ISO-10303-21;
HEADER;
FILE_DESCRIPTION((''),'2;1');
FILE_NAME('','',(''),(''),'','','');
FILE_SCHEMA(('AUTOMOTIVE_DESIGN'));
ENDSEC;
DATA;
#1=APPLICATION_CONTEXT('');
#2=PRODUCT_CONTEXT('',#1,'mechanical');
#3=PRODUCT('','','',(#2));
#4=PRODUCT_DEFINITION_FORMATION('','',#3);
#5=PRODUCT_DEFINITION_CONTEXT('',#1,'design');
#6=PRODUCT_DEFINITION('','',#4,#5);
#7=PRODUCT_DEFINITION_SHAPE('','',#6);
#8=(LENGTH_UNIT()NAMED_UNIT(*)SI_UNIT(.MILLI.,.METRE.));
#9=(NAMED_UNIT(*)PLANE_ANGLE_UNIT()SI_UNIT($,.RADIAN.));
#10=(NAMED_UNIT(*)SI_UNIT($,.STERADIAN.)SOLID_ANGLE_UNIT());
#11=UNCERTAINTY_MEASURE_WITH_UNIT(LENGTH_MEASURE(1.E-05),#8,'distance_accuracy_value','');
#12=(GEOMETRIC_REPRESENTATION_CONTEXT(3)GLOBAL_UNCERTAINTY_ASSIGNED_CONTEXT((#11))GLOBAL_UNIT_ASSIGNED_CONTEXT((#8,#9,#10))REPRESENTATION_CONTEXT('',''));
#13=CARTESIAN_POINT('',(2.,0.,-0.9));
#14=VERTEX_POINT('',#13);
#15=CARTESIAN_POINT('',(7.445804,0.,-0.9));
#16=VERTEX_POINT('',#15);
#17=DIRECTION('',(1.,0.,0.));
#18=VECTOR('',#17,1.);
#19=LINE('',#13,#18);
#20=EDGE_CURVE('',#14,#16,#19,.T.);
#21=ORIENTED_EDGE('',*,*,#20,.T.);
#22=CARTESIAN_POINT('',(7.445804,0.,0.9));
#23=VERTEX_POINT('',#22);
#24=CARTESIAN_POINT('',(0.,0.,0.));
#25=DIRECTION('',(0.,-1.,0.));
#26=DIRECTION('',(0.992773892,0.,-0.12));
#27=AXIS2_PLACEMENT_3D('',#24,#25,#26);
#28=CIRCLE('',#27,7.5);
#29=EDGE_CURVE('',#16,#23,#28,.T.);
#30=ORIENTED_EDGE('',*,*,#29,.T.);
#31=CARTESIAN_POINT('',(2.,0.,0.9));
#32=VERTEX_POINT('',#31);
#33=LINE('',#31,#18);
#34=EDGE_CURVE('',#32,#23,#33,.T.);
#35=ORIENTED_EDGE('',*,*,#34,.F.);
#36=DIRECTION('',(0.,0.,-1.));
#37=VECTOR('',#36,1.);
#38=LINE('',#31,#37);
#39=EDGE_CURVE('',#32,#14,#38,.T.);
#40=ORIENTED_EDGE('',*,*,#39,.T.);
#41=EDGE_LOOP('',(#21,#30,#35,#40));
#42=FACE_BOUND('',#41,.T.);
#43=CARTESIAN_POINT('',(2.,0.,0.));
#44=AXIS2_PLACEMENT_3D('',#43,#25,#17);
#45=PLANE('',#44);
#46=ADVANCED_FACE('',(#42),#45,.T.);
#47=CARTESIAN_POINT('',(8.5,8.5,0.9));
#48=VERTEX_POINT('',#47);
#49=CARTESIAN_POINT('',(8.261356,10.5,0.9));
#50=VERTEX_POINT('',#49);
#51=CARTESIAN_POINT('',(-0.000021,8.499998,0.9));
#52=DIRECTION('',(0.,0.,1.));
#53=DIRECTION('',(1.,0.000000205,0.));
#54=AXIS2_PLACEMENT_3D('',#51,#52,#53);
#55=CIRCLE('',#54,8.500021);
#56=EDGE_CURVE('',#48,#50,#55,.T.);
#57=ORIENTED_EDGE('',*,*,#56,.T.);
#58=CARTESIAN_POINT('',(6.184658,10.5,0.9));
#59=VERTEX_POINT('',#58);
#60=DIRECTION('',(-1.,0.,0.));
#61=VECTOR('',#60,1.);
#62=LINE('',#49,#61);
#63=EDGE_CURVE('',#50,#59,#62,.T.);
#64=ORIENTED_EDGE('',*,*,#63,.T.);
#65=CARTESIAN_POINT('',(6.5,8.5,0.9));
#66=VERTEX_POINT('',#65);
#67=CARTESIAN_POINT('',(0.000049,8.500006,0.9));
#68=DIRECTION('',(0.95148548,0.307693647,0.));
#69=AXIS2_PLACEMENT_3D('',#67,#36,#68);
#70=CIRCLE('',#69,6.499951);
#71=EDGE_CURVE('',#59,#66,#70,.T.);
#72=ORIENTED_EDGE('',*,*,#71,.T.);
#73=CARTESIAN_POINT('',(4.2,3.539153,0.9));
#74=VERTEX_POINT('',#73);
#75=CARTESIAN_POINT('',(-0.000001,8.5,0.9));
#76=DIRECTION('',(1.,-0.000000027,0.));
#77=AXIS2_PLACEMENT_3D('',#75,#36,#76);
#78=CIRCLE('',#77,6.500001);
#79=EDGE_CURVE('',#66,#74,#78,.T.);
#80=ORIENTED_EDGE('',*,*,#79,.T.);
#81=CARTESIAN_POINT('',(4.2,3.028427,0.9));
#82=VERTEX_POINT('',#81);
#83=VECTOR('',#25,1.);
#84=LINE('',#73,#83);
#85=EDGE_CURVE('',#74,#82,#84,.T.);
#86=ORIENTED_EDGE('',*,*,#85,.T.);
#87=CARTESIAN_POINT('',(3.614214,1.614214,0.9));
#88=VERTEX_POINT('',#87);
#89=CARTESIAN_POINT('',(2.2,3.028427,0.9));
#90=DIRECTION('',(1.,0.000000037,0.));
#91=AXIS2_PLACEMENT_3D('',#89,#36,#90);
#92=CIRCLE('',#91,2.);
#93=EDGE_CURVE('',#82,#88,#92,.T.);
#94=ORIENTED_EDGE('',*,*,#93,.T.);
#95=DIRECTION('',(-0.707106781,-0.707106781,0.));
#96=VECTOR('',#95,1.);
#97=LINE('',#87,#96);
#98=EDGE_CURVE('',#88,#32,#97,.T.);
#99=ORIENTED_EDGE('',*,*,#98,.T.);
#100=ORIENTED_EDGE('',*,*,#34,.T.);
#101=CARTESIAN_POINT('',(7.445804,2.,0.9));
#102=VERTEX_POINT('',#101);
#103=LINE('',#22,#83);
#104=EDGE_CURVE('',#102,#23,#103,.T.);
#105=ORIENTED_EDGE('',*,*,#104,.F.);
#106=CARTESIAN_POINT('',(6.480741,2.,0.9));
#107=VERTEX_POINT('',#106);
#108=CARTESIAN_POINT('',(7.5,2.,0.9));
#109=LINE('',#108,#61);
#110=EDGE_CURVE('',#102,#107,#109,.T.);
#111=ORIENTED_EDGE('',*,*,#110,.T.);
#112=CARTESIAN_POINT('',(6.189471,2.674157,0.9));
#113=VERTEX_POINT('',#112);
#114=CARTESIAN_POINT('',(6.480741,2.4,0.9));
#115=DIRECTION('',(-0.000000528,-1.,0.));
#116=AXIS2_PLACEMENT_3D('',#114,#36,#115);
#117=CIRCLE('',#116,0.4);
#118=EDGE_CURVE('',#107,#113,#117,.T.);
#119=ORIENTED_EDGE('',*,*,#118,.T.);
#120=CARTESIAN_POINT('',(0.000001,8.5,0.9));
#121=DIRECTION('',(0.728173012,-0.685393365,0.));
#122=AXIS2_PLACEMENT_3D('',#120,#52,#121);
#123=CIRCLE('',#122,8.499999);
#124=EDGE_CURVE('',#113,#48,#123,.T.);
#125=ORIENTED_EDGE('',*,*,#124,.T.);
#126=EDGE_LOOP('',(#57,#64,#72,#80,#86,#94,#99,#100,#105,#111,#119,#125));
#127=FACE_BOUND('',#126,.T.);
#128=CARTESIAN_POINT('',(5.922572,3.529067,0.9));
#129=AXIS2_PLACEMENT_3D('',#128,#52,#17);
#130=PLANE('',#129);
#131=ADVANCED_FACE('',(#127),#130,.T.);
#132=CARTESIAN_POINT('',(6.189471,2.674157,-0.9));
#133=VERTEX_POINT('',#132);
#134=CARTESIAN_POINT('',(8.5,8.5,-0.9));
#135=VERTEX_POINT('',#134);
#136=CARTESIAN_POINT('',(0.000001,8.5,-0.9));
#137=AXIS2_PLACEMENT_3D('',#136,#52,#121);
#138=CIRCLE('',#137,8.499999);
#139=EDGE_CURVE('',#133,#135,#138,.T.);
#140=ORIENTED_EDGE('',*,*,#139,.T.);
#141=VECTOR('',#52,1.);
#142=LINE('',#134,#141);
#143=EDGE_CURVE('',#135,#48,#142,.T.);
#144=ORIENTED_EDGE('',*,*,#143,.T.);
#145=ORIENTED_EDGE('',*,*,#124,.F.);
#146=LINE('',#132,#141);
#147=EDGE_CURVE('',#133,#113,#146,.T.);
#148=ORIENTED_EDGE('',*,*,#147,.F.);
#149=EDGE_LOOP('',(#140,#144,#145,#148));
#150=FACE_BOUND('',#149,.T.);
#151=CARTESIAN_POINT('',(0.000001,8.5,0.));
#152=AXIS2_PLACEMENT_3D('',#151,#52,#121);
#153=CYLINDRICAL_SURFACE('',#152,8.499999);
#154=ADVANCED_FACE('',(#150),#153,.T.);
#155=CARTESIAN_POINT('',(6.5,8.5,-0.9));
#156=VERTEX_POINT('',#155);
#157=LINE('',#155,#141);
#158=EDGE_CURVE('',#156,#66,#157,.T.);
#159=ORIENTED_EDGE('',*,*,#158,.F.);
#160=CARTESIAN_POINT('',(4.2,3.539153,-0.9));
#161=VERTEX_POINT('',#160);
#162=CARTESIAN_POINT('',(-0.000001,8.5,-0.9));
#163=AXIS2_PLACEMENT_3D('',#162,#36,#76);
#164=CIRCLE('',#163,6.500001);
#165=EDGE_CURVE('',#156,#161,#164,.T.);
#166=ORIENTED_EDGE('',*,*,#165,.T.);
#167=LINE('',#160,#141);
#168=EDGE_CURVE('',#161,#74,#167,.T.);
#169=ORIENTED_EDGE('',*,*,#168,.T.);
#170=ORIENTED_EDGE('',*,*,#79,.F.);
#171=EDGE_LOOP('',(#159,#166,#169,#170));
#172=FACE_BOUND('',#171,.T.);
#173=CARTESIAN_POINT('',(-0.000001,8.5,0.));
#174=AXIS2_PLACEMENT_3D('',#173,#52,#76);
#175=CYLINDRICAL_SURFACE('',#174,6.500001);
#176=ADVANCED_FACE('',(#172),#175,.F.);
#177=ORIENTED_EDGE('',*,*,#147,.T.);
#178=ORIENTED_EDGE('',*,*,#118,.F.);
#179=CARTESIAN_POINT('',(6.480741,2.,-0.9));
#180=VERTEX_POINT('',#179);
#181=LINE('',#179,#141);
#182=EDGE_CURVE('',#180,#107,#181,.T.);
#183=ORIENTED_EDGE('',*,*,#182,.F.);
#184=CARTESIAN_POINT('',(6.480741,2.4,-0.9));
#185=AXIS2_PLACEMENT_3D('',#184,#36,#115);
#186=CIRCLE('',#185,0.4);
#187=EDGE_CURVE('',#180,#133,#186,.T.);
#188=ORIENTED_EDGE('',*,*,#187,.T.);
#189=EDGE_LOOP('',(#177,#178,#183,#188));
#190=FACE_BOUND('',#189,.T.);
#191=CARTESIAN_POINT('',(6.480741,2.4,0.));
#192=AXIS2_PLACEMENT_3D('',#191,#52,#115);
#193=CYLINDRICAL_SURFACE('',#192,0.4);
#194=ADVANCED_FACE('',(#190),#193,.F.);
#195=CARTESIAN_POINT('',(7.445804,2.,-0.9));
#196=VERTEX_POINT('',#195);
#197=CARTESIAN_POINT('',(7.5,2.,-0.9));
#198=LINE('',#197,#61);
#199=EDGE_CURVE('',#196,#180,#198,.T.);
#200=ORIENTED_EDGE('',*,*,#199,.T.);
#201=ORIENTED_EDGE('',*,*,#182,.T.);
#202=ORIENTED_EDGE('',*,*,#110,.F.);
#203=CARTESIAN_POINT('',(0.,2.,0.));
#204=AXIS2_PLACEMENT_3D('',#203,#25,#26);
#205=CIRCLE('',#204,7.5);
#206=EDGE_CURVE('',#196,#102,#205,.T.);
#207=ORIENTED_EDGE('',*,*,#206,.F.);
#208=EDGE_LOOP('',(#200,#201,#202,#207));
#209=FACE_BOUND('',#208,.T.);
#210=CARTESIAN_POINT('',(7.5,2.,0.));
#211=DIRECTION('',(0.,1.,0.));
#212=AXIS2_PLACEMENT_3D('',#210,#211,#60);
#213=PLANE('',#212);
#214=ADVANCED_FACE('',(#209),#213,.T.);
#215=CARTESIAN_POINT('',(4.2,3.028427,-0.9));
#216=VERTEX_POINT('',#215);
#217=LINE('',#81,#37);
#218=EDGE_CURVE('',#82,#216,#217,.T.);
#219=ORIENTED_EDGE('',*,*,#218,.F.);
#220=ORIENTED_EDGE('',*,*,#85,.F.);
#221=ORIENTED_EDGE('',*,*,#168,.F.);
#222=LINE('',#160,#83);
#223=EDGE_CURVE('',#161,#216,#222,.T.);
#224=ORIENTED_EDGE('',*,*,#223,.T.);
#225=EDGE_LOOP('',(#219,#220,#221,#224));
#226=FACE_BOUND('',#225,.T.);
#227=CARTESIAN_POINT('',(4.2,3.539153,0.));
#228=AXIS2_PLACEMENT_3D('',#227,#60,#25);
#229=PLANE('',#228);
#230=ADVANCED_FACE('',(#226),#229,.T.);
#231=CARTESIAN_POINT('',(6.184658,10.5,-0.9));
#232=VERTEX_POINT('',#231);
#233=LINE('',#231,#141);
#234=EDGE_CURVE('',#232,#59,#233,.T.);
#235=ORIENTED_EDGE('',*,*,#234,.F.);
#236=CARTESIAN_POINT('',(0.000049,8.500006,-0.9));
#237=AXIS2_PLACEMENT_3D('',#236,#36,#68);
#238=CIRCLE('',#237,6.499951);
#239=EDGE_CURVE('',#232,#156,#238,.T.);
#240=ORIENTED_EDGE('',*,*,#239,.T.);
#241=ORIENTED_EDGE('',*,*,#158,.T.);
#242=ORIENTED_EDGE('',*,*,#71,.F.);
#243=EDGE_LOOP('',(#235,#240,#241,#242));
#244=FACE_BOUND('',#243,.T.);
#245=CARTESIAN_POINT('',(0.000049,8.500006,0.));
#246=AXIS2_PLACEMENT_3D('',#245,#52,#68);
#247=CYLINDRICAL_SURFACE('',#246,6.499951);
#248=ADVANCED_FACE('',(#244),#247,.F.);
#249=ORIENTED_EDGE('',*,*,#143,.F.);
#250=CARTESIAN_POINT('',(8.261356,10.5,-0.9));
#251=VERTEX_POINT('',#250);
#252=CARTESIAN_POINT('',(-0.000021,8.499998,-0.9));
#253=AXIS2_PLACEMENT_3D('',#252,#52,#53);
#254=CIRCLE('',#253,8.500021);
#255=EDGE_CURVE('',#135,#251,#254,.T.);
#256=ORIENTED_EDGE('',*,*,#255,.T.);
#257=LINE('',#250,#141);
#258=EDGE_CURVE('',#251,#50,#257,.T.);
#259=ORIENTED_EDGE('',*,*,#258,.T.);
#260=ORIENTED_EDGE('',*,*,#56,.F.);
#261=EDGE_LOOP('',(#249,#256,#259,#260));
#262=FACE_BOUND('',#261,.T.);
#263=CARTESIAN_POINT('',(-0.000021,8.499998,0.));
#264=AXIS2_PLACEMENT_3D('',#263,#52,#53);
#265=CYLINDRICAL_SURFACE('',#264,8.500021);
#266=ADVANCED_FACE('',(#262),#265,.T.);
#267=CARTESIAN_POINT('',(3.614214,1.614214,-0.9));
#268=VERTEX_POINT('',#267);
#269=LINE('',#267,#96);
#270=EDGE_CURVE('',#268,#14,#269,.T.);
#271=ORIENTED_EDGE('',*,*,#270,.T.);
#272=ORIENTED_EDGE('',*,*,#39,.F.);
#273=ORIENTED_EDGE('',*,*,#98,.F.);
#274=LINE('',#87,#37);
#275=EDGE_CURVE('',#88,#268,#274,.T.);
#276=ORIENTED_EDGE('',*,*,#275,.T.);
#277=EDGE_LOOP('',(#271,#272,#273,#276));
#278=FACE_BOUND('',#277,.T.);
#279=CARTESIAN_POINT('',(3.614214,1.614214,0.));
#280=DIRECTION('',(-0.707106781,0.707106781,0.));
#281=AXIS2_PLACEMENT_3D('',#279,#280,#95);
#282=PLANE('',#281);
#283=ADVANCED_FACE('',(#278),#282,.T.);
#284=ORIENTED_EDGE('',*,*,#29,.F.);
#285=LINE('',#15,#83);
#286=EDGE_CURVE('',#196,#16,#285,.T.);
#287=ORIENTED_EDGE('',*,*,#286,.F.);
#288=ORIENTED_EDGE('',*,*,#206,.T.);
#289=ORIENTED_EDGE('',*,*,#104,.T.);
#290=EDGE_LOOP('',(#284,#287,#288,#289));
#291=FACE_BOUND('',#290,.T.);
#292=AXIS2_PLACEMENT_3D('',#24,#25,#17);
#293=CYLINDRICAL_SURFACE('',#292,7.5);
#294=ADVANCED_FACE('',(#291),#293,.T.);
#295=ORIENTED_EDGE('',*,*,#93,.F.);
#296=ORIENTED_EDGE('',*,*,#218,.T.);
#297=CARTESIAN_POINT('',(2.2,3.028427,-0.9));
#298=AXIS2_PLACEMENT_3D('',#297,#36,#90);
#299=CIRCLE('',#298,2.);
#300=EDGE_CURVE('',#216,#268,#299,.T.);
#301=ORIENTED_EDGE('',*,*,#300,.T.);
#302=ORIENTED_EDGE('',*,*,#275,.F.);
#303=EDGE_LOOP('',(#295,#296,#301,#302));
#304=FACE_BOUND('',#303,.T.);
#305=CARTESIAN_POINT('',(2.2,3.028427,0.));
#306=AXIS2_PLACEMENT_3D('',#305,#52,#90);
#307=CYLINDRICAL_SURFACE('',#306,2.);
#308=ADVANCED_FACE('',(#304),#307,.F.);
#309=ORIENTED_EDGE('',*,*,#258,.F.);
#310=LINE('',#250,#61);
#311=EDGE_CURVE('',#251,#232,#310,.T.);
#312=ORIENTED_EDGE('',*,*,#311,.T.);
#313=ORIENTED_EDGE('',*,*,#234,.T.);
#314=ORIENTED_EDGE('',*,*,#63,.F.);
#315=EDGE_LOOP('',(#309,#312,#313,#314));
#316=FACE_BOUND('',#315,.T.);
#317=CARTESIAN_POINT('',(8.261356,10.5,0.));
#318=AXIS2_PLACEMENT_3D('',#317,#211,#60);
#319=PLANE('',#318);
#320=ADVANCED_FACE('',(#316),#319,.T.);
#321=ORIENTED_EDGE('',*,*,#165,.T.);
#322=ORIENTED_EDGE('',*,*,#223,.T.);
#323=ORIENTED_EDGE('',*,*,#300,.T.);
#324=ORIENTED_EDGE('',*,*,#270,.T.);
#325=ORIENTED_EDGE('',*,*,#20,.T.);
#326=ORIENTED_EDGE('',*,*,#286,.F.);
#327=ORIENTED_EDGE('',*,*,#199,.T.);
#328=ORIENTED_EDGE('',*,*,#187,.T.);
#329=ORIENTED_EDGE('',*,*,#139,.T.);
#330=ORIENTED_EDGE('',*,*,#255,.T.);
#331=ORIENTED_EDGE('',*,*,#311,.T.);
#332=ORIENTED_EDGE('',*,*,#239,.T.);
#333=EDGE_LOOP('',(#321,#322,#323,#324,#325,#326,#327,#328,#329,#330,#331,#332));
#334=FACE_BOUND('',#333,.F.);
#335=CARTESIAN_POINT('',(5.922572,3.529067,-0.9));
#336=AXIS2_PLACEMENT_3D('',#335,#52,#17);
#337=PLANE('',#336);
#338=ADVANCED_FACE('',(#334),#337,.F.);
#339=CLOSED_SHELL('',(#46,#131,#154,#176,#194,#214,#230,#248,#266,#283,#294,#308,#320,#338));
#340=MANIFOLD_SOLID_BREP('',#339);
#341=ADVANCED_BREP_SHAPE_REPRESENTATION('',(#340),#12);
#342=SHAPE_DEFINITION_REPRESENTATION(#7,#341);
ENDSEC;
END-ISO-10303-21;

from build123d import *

# Parameters (mm, degrees)
F1_DEPTH = 0.9
F2_R     = 8
F2_R_2   = 7.5
F3_DEPTH = 2


with BuildPart() as f1:
    # F0 (on Top) → F1 (new body, symmetric)
    with BuildSketch(Plane.XY):
        with BuildLine():
            Line((2, 0), (7.5, 0))
            Line((7.5, 0), (7.5, 2))
            Line((7.5, 2), (6.480741, 2))
            ThreePointArc((6.480741, 2), (6.113547, 2.241354), (6.189471, 2.674157))
            ThreePointArc((6.189471, 2.674157), (7.901282, 5.366353), (8.5, 8.5))
            Line((8.5, 8.5), (6.5, 8.5))
            ThreePointArc((6.5, 8.5), (5.897033, 5.765955), (4.2, 3.539153))
            Line((4.2, 3.539153), (4.2, 3.028427))
            ThreePointArc((4.2, 3.028427), (4.047759, 2.26306), (3.614214, 1.614214))
            Line((3.614214, 1.614214), (2, 0))
        make_face()
        with BuildLine():
            Line((6.5, 8.5), (8.5, 8.5))
            ThreePointArc((8.5, 8.5), (8.440128, 9.507094), (8.261356, 10.5))
            Line((8.261356, 10.5), (6.184658, 10.5))
            ThreePointArc((6.184658, 10.5), (6.420681, 9.512354), (6.5, 8.5))
        make_face()
    extrude(amount=F1_DEPTH, both=True)

    # F2 (on face) → F3 (cut, through all)
    with BuildSketch(Plane.XZ):
        Circle(F2_R)
        Circle(F2_R_2, mode=Mode.SUBTRACT)
    extrude(amount=-F3_DEPTH, mode=Mode.SUBTRACT)


solid = f1.part
